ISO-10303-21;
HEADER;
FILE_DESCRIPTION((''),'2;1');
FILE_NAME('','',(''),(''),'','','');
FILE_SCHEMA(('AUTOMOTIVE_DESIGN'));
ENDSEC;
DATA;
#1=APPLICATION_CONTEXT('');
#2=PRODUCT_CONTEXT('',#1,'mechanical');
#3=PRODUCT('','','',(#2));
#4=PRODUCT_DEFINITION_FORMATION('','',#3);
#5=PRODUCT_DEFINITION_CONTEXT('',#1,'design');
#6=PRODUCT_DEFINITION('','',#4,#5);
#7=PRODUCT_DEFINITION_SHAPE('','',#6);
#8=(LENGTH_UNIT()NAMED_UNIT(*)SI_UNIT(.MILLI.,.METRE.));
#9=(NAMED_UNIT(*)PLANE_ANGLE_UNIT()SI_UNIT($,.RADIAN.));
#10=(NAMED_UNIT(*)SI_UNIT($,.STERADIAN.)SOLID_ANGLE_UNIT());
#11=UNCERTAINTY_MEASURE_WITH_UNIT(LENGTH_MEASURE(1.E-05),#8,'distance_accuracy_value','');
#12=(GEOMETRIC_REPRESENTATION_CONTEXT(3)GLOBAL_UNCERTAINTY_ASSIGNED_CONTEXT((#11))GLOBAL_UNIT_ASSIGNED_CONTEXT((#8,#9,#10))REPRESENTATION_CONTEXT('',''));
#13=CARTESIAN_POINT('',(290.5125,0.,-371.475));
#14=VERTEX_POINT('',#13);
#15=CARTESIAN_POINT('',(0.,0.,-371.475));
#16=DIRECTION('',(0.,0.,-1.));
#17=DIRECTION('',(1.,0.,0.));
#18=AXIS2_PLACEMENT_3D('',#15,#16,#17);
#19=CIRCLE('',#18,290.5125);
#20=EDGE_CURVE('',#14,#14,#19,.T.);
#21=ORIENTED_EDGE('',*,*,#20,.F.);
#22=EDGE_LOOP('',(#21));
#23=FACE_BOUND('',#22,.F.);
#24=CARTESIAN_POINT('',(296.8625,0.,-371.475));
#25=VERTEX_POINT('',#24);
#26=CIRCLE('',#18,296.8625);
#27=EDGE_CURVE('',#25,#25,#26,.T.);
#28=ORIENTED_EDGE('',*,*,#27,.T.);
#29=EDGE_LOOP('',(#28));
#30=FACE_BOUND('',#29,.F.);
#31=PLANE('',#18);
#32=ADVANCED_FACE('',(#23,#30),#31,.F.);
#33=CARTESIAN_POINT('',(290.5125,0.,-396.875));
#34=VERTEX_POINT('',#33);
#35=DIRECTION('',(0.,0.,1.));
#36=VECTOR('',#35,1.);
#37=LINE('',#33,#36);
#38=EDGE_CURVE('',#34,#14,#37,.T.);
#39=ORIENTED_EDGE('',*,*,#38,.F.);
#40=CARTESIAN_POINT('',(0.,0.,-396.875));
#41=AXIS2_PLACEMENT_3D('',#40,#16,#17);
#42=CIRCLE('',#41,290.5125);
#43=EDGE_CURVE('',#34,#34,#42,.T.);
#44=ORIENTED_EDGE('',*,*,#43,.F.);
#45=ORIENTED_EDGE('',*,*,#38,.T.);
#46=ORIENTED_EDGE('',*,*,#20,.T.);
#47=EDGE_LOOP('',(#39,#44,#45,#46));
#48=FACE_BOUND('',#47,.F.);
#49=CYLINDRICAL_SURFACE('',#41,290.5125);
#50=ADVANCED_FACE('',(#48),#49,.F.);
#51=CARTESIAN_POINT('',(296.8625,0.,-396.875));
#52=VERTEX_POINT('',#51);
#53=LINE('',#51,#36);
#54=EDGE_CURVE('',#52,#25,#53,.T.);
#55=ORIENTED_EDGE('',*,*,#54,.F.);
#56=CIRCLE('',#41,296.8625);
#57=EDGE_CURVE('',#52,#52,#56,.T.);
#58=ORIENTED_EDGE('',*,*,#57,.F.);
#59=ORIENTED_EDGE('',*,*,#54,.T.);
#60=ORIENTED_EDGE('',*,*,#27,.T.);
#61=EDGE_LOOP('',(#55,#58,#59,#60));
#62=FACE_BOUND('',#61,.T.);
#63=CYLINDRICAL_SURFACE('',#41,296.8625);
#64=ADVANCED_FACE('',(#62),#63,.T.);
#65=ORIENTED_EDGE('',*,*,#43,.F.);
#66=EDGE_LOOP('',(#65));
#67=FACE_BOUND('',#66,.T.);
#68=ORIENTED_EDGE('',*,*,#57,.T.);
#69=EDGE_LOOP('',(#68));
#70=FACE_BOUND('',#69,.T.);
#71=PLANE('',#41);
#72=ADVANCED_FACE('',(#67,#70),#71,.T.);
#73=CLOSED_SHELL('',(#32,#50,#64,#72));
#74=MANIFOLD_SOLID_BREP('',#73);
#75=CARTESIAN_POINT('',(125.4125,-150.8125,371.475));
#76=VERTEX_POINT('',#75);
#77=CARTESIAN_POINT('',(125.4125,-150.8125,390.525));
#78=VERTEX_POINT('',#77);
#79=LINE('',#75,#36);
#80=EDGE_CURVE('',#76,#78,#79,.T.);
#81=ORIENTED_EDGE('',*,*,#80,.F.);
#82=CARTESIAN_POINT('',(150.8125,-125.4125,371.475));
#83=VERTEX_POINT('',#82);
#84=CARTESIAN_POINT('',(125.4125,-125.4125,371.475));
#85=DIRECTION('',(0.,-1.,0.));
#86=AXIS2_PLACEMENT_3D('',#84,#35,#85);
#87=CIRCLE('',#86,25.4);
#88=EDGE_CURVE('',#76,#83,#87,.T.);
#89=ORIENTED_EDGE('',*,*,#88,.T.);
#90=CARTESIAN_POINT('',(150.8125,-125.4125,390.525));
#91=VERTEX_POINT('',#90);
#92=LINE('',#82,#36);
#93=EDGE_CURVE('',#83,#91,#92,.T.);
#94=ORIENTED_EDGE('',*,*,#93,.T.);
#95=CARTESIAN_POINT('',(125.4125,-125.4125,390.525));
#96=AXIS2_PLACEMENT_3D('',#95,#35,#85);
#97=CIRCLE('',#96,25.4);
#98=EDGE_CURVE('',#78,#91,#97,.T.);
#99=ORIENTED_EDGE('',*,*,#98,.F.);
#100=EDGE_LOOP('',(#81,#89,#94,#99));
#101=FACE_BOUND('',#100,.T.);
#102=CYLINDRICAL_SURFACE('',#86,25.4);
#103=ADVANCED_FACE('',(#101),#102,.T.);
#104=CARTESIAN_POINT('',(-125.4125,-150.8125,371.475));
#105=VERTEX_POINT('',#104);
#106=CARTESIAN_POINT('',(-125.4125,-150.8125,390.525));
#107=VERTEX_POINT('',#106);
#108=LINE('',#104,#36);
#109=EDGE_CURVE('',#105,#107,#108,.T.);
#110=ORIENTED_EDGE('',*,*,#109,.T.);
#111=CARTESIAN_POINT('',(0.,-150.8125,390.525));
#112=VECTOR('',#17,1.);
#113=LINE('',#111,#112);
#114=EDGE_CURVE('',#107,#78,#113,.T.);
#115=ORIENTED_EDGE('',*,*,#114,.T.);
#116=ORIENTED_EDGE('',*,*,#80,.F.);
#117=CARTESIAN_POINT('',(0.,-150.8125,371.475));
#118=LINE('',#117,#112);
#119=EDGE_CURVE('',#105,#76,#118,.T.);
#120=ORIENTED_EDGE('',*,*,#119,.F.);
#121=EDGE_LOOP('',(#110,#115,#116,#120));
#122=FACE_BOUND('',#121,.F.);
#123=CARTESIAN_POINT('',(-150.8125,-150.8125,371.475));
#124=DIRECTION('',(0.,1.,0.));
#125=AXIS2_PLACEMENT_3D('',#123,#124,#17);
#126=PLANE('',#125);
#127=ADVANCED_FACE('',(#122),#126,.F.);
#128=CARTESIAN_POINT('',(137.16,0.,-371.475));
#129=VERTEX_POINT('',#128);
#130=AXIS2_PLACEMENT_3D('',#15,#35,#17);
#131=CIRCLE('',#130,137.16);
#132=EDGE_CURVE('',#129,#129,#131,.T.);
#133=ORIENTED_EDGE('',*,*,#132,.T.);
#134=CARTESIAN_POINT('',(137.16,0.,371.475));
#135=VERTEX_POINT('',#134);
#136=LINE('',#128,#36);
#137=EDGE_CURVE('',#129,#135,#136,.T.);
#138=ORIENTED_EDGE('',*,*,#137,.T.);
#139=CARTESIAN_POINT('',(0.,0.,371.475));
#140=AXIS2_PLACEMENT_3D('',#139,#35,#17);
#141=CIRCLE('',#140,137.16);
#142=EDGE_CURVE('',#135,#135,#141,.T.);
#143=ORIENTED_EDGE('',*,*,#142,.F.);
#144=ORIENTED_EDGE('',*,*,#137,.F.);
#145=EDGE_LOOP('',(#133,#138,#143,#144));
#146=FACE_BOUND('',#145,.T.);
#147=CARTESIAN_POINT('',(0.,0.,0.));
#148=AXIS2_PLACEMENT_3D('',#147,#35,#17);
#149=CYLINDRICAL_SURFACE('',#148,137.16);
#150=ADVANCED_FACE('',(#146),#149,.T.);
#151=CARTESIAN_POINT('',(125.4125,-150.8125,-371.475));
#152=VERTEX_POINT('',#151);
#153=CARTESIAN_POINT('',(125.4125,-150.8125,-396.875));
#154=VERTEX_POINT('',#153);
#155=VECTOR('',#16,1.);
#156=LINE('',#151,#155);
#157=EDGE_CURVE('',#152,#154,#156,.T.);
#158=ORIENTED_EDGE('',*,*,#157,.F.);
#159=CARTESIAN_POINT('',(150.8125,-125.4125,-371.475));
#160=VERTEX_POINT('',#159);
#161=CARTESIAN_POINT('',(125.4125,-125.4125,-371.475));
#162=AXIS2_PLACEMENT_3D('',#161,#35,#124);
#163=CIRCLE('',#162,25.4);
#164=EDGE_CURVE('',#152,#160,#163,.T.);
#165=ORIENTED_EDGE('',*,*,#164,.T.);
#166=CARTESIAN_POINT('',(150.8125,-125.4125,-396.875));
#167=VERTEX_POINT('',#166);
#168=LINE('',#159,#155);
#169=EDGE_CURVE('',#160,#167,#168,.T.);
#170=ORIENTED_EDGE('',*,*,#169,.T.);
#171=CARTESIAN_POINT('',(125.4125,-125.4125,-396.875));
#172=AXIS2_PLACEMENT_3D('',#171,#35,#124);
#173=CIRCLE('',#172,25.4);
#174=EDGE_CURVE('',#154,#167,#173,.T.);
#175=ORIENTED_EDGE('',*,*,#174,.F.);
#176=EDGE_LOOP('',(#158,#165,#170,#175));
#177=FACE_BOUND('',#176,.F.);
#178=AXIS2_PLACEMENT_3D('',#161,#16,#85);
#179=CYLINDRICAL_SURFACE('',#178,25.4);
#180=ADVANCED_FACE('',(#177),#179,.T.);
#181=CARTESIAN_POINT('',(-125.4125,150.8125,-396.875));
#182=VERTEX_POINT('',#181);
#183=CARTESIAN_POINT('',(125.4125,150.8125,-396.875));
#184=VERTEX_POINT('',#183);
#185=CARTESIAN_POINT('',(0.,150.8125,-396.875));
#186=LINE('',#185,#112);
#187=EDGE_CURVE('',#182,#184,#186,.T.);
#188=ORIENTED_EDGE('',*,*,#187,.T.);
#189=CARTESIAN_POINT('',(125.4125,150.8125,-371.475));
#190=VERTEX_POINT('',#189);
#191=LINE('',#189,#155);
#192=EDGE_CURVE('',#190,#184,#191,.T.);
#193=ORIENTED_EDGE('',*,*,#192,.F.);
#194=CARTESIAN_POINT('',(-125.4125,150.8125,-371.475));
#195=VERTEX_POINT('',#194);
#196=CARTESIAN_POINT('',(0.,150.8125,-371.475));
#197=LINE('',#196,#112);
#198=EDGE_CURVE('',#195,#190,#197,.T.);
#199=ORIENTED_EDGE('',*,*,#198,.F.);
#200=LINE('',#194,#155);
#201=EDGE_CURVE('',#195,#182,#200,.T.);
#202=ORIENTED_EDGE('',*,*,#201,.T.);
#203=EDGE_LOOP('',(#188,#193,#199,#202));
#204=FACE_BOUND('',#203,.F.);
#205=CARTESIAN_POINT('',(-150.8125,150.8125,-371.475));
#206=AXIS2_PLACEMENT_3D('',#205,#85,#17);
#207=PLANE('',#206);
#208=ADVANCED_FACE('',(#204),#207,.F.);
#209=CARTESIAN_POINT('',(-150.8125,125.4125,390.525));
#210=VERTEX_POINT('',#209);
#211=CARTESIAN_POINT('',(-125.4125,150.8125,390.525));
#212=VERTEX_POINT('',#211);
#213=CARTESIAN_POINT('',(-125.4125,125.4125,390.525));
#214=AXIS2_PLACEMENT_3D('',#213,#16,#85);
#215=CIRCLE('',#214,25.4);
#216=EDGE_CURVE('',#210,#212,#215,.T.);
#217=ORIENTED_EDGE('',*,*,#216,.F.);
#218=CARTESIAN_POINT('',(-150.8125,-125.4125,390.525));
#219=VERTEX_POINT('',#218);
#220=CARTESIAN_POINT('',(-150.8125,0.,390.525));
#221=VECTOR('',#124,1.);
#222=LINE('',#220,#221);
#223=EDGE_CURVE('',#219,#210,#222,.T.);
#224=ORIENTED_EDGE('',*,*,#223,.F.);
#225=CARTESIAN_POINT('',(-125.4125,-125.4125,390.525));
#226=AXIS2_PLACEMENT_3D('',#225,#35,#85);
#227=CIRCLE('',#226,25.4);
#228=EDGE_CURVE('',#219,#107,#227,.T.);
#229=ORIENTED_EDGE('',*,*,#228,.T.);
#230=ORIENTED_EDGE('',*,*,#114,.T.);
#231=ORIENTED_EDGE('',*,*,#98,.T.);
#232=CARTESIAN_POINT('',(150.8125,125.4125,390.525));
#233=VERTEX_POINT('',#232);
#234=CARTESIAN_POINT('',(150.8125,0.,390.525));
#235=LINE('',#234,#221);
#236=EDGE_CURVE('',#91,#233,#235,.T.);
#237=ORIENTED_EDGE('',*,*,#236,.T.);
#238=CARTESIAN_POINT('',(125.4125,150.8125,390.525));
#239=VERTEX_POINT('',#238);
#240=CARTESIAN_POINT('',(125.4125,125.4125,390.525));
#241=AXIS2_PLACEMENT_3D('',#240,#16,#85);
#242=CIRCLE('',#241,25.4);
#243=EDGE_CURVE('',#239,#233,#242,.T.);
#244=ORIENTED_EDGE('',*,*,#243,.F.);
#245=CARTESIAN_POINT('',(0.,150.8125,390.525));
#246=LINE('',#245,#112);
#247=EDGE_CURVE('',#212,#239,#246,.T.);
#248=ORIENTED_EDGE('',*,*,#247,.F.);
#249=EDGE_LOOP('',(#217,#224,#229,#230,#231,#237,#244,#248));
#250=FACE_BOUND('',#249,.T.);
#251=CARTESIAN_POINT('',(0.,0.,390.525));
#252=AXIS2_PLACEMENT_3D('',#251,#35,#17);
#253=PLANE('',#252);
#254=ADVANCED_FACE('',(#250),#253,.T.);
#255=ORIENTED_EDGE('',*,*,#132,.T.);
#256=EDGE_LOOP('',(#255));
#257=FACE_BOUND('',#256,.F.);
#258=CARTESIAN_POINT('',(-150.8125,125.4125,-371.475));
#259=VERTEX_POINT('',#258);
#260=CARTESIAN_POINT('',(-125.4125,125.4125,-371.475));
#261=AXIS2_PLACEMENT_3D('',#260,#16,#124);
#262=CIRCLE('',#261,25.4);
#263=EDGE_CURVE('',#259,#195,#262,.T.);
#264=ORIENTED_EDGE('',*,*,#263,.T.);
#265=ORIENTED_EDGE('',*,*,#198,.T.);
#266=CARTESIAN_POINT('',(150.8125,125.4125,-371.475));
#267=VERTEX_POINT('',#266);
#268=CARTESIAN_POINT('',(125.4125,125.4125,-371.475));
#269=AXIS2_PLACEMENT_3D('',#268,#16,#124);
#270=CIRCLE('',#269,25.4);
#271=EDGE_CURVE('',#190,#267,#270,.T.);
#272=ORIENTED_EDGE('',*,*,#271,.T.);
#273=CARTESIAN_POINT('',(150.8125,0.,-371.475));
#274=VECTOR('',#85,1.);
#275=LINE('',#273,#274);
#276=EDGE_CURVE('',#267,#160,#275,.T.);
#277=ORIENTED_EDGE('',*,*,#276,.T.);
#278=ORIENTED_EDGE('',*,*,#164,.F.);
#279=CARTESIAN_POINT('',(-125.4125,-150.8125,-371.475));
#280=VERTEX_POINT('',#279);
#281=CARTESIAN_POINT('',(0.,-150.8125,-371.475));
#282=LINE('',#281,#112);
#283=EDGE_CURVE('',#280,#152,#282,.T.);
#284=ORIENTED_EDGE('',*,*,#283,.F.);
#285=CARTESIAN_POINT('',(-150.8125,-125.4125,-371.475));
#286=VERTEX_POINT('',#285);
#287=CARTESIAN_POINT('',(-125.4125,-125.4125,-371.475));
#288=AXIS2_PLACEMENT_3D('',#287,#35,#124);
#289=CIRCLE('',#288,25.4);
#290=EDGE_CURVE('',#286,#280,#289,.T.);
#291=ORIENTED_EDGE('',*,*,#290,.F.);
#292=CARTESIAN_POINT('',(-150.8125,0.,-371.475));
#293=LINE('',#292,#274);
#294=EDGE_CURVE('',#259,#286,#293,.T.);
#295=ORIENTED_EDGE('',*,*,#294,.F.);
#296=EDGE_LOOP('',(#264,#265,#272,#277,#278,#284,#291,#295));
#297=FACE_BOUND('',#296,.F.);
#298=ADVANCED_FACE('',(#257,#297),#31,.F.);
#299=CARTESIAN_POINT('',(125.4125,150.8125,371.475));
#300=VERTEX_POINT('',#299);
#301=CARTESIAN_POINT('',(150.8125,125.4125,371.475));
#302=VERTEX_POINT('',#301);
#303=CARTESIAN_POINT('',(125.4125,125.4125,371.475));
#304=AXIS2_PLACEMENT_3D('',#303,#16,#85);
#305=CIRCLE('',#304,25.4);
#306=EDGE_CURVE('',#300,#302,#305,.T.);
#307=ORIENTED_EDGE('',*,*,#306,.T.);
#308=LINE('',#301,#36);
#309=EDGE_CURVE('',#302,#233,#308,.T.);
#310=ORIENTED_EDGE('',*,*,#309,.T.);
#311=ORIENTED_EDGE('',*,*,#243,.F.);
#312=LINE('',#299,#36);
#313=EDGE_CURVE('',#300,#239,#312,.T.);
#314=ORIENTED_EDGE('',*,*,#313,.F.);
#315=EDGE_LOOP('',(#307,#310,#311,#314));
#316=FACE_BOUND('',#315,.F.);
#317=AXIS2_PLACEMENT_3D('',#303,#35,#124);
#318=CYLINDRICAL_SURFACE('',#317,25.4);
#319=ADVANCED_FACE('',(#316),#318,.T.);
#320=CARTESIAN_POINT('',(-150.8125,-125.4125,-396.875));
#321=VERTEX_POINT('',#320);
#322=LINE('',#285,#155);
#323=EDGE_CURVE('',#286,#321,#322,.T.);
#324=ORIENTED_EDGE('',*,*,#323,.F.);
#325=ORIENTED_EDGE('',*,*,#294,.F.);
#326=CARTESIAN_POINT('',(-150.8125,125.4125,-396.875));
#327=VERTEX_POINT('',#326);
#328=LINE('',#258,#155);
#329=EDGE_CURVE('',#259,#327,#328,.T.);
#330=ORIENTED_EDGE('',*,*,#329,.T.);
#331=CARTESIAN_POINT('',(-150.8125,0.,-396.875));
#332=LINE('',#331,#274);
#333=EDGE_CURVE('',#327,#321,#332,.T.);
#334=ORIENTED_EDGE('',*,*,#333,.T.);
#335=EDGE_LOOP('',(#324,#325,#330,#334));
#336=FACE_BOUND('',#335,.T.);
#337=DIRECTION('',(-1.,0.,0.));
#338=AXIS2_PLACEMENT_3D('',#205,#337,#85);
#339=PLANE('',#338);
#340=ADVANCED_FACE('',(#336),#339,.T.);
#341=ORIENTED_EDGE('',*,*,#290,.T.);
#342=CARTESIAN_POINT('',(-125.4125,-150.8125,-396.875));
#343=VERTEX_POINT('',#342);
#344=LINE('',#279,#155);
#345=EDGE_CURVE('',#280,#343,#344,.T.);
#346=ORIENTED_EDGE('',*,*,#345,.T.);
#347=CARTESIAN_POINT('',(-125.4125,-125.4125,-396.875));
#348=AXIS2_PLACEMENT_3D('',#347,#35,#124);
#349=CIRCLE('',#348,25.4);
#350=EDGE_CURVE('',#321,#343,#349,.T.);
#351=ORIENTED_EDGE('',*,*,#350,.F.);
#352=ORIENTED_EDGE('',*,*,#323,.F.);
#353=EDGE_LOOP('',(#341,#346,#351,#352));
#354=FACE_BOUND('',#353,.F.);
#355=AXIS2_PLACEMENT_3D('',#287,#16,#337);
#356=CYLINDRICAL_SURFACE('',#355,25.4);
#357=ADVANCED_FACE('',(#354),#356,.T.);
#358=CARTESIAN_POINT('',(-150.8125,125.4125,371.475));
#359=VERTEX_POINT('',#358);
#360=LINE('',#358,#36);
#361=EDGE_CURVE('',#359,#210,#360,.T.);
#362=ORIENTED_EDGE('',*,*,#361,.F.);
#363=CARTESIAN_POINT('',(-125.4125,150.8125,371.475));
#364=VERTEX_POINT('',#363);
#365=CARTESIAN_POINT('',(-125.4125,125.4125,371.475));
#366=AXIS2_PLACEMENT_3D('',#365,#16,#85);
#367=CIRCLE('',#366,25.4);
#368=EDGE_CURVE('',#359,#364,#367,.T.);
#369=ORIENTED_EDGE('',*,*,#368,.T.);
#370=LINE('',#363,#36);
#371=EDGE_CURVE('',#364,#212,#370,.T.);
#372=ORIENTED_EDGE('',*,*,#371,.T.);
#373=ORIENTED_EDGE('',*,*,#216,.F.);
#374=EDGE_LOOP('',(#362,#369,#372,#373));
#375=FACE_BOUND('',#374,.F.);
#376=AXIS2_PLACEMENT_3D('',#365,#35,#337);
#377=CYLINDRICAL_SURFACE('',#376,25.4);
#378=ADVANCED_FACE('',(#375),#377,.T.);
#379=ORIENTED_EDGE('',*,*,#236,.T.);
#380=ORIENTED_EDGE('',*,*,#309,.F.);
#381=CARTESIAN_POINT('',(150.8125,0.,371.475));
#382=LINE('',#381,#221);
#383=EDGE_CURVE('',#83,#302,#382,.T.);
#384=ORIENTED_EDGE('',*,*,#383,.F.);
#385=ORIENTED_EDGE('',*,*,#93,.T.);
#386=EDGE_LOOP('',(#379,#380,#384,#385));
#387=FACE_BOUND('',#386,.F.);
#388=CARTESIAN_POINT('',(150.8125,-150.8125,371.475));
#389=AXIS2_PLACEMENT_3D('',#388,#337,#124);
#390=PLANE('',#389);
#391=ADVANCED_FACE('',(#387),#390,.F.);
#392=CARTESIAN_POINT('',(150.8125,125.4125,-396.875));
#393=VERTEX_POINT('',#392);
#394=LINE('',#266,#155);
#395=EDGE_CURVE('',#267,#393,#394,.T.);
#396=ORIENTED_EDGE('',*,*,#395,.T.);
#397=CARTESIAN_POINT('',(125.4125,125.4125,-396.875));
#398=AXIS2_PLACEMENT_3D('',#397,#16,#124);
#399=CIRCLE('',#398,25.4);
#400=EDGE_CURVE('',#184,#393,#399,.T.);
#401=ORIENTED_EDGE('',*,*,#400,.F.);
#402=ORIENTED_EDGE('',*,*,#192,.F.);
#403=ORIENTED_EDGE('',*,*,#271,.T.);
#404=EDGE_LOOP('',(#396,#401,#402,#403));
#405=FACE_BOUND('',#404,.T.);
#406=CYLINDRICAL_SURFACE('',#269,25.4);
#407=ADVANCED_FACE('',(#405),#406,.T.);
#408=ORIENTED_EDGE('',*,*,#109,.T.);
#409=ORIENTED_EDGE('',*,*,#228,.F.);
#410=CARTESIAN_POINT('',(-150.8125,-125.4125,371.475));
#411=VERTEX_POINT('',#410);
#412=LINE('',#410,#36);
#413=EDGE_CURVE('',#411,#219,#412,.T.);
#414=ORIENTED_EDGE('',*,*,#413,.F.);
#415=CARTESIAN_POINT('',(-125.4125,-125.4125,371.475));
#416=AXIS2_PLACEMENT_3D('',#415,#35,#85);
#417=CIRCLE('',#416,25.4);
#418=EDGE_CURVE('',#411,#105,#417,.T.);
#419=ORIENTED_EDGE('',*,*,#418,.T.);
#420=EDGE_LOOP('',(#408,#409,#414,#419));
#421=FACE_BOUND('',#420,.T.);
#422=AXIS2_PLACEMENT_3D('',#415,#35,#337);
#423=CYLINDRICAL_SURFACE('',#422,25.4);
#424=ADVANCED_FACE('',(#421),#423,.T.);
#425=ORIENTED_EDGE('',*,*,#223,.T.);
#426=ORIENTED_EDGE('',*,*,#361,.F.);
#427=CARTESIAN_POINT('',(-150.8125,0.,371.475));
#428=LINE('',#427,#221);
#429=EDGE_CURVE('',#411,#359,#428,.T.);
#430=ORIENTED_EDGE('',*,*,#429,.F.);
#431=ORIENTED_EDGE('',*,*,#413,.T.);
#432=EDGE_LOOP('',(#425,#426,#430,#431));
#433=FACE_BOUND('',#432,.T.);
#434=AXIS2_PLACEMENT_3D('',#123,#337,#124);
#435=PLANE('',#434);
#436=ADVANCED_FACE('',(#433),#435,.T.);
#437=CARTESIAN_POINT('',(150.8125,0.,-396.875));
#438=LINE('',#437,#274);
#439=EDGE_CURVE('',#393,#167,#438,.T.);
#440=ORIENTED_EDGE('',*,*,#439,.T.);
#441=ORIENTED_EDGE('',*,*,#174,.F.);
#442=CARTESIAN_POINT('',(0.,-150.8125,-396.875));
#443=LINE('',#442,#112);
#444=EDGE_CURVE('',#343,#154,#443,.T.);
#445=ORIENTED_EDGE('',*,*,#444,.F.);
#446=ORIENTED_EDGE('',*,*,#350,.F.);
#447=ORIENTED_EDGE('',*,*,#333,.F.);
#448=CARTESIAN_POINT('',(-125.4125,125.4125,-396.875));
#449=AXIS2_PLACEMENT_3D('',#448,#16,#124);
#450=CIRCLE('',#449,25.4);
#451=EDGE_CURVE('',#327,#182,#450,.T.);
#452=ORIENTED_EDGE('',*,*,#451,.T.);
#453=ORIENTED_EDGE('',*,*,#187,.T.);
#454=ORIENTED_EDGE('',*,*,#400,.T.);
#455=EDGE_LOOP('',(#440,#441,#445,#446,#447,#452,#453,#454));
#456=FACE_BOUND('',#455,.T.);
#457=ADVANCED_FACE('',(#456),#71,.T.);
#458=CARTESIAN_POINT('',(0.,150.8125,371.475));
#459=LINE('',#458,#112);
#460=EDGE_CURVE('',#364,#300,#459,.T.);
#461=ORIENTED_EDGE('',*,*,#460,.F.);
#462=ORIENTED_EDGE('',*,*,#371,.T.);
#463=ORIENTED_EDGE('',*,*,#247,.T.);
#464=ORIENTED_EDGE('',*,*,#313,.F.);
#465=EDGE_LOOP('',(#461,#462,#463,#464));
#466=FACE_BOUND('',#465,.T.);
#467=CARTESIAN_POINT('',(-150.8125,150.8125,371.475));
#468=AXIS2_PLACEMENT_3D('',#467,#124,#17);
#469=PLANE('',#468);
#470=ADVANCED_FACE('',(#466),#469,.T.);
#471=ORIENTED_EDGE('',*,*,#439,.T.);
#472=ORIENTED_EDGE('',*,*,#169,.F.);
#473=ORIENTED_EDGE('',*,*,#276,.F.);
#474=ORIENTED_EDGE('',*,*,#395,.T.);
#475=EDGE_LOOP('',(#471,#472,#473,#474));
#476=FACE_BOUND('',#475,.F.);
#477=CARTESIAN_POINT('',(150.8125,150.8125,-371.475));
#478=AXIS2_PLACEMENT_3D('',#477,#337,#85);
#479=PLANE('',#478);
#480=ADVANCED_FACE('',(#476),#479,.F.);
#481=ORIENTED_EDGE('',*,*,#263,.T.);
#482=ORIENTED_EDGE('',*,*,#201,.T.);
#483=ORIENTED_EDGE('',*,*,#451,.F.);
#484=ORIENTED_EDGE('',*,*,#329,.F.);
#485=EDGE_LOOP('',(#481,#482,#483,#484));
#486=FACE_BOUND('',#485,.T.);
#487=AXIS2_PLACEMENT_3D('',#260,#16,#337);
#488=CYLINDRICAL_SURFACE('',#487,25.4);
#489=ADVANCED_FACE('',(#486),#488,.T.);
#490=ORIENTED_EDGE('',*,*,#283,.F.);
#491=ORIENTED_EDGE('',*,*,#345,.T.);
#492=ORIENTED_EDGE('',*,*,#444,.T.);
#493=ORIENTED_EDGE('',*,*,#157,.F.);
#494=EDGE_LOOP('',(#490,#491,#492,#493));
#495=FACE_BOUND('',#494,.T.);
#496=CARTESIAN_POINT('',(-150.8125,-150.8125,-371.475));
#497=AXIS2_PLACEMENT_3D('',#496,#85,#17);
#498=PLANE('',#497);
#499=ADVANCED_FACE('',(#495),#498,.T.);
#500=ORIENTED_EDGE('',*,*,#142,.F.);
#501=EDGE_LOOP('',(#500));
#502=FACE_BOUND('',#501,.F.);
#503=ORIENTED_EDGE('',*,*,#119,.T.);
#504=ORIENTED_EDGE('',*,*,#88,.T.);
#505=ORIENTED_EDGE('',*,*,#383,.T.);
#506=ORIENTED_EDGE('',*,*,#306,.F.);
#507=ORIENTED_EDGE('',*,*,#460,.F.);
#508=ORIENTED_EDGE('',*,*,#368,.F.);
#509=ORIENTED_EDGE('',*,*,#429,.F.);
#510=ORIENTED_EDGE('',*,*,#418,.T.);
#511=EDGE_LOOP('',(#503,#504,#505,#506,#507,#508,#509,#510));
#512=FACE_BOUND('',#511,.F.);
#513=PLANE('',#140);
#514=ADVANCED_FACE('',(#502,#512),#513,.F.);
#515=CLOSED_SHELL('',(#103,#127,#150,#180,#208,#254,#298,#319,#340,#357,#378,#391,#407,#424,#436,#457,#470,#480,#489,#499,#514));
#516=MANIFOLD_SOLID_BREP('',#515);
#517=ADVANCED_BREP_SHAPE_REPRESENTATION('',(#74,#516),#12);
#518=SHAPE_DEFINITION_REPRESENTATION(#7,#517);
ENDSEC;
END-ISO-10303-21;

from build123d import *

# Parameters (mm, degrees)
F0_R     = 137.16
F1_DEPTH = 371.475
F2_W     = 301.625
F2_H     = 301.625
F3_DEPTH = 19.05
F4_W     = 301.625
F4_H     = 301.625
F5_DEPTH = 25.4
F6_R     = 25.4
F7_R     = 296.8625
F7_R_2   = 290.5125
F8_DEPTH = 25.4


with BuildPart() as f1:
    # F0 (on Top) → F1 (new body, symmetric)
    with BuildSketch(Plane.XY):
        Circle(F0_R)
    extrude(amount=F1_DEPTH, both=True)

    # F2 (on face) → F3 (join)
    with BuildSketch(Plane.XY.offset(371.475)):
        Rectangle(F2_W, F2_H)
    extrude(amount=F3_DEPTH)

    # F4 (on face) → F5 (join)
    with BuildSketch(Plane(origin=(0, 0, -371.475), x_dir=(1, 0, 0), z_dir=(0, 0, -1))):
        Rectangle(F4_W, F4_H)
    extrude(amount=F5_DEPTH)

    # F6
    f6_edges = [f1.edges().sort_by_distance(p)[0] for p in [
        (150.8125, -150.8125, -384.175),
        (-150.8125, -150.8125, -384.175),
        (150.8125, 150.8125, -384.175),
        (-150.8125, 150.8125, -384.175),
        (-150.8125, 150.8125, 381),
        (150.8125, 150.8125, 381),
        (-150.8125, -150.8125, 381),
        (150.8125, -150.8125, 381),
    ]]
    fillet(f6_edges, radius=F6_R)


with BuildPart() as f8:
    # F7 (on face) → F8 (new body)
    with BuildSketch(Plane(origin=(0, 0, -396.875), x_dir=(1, 0, 0), z_dir=(0, 0, -1))):
        Circle(F7_R)
        Circle(F7_R_2, mode=Mode.SUBTRACT)
    extrude(amount=-F8_DEPTH)


solid = Compound([f1.part, f8.part])
